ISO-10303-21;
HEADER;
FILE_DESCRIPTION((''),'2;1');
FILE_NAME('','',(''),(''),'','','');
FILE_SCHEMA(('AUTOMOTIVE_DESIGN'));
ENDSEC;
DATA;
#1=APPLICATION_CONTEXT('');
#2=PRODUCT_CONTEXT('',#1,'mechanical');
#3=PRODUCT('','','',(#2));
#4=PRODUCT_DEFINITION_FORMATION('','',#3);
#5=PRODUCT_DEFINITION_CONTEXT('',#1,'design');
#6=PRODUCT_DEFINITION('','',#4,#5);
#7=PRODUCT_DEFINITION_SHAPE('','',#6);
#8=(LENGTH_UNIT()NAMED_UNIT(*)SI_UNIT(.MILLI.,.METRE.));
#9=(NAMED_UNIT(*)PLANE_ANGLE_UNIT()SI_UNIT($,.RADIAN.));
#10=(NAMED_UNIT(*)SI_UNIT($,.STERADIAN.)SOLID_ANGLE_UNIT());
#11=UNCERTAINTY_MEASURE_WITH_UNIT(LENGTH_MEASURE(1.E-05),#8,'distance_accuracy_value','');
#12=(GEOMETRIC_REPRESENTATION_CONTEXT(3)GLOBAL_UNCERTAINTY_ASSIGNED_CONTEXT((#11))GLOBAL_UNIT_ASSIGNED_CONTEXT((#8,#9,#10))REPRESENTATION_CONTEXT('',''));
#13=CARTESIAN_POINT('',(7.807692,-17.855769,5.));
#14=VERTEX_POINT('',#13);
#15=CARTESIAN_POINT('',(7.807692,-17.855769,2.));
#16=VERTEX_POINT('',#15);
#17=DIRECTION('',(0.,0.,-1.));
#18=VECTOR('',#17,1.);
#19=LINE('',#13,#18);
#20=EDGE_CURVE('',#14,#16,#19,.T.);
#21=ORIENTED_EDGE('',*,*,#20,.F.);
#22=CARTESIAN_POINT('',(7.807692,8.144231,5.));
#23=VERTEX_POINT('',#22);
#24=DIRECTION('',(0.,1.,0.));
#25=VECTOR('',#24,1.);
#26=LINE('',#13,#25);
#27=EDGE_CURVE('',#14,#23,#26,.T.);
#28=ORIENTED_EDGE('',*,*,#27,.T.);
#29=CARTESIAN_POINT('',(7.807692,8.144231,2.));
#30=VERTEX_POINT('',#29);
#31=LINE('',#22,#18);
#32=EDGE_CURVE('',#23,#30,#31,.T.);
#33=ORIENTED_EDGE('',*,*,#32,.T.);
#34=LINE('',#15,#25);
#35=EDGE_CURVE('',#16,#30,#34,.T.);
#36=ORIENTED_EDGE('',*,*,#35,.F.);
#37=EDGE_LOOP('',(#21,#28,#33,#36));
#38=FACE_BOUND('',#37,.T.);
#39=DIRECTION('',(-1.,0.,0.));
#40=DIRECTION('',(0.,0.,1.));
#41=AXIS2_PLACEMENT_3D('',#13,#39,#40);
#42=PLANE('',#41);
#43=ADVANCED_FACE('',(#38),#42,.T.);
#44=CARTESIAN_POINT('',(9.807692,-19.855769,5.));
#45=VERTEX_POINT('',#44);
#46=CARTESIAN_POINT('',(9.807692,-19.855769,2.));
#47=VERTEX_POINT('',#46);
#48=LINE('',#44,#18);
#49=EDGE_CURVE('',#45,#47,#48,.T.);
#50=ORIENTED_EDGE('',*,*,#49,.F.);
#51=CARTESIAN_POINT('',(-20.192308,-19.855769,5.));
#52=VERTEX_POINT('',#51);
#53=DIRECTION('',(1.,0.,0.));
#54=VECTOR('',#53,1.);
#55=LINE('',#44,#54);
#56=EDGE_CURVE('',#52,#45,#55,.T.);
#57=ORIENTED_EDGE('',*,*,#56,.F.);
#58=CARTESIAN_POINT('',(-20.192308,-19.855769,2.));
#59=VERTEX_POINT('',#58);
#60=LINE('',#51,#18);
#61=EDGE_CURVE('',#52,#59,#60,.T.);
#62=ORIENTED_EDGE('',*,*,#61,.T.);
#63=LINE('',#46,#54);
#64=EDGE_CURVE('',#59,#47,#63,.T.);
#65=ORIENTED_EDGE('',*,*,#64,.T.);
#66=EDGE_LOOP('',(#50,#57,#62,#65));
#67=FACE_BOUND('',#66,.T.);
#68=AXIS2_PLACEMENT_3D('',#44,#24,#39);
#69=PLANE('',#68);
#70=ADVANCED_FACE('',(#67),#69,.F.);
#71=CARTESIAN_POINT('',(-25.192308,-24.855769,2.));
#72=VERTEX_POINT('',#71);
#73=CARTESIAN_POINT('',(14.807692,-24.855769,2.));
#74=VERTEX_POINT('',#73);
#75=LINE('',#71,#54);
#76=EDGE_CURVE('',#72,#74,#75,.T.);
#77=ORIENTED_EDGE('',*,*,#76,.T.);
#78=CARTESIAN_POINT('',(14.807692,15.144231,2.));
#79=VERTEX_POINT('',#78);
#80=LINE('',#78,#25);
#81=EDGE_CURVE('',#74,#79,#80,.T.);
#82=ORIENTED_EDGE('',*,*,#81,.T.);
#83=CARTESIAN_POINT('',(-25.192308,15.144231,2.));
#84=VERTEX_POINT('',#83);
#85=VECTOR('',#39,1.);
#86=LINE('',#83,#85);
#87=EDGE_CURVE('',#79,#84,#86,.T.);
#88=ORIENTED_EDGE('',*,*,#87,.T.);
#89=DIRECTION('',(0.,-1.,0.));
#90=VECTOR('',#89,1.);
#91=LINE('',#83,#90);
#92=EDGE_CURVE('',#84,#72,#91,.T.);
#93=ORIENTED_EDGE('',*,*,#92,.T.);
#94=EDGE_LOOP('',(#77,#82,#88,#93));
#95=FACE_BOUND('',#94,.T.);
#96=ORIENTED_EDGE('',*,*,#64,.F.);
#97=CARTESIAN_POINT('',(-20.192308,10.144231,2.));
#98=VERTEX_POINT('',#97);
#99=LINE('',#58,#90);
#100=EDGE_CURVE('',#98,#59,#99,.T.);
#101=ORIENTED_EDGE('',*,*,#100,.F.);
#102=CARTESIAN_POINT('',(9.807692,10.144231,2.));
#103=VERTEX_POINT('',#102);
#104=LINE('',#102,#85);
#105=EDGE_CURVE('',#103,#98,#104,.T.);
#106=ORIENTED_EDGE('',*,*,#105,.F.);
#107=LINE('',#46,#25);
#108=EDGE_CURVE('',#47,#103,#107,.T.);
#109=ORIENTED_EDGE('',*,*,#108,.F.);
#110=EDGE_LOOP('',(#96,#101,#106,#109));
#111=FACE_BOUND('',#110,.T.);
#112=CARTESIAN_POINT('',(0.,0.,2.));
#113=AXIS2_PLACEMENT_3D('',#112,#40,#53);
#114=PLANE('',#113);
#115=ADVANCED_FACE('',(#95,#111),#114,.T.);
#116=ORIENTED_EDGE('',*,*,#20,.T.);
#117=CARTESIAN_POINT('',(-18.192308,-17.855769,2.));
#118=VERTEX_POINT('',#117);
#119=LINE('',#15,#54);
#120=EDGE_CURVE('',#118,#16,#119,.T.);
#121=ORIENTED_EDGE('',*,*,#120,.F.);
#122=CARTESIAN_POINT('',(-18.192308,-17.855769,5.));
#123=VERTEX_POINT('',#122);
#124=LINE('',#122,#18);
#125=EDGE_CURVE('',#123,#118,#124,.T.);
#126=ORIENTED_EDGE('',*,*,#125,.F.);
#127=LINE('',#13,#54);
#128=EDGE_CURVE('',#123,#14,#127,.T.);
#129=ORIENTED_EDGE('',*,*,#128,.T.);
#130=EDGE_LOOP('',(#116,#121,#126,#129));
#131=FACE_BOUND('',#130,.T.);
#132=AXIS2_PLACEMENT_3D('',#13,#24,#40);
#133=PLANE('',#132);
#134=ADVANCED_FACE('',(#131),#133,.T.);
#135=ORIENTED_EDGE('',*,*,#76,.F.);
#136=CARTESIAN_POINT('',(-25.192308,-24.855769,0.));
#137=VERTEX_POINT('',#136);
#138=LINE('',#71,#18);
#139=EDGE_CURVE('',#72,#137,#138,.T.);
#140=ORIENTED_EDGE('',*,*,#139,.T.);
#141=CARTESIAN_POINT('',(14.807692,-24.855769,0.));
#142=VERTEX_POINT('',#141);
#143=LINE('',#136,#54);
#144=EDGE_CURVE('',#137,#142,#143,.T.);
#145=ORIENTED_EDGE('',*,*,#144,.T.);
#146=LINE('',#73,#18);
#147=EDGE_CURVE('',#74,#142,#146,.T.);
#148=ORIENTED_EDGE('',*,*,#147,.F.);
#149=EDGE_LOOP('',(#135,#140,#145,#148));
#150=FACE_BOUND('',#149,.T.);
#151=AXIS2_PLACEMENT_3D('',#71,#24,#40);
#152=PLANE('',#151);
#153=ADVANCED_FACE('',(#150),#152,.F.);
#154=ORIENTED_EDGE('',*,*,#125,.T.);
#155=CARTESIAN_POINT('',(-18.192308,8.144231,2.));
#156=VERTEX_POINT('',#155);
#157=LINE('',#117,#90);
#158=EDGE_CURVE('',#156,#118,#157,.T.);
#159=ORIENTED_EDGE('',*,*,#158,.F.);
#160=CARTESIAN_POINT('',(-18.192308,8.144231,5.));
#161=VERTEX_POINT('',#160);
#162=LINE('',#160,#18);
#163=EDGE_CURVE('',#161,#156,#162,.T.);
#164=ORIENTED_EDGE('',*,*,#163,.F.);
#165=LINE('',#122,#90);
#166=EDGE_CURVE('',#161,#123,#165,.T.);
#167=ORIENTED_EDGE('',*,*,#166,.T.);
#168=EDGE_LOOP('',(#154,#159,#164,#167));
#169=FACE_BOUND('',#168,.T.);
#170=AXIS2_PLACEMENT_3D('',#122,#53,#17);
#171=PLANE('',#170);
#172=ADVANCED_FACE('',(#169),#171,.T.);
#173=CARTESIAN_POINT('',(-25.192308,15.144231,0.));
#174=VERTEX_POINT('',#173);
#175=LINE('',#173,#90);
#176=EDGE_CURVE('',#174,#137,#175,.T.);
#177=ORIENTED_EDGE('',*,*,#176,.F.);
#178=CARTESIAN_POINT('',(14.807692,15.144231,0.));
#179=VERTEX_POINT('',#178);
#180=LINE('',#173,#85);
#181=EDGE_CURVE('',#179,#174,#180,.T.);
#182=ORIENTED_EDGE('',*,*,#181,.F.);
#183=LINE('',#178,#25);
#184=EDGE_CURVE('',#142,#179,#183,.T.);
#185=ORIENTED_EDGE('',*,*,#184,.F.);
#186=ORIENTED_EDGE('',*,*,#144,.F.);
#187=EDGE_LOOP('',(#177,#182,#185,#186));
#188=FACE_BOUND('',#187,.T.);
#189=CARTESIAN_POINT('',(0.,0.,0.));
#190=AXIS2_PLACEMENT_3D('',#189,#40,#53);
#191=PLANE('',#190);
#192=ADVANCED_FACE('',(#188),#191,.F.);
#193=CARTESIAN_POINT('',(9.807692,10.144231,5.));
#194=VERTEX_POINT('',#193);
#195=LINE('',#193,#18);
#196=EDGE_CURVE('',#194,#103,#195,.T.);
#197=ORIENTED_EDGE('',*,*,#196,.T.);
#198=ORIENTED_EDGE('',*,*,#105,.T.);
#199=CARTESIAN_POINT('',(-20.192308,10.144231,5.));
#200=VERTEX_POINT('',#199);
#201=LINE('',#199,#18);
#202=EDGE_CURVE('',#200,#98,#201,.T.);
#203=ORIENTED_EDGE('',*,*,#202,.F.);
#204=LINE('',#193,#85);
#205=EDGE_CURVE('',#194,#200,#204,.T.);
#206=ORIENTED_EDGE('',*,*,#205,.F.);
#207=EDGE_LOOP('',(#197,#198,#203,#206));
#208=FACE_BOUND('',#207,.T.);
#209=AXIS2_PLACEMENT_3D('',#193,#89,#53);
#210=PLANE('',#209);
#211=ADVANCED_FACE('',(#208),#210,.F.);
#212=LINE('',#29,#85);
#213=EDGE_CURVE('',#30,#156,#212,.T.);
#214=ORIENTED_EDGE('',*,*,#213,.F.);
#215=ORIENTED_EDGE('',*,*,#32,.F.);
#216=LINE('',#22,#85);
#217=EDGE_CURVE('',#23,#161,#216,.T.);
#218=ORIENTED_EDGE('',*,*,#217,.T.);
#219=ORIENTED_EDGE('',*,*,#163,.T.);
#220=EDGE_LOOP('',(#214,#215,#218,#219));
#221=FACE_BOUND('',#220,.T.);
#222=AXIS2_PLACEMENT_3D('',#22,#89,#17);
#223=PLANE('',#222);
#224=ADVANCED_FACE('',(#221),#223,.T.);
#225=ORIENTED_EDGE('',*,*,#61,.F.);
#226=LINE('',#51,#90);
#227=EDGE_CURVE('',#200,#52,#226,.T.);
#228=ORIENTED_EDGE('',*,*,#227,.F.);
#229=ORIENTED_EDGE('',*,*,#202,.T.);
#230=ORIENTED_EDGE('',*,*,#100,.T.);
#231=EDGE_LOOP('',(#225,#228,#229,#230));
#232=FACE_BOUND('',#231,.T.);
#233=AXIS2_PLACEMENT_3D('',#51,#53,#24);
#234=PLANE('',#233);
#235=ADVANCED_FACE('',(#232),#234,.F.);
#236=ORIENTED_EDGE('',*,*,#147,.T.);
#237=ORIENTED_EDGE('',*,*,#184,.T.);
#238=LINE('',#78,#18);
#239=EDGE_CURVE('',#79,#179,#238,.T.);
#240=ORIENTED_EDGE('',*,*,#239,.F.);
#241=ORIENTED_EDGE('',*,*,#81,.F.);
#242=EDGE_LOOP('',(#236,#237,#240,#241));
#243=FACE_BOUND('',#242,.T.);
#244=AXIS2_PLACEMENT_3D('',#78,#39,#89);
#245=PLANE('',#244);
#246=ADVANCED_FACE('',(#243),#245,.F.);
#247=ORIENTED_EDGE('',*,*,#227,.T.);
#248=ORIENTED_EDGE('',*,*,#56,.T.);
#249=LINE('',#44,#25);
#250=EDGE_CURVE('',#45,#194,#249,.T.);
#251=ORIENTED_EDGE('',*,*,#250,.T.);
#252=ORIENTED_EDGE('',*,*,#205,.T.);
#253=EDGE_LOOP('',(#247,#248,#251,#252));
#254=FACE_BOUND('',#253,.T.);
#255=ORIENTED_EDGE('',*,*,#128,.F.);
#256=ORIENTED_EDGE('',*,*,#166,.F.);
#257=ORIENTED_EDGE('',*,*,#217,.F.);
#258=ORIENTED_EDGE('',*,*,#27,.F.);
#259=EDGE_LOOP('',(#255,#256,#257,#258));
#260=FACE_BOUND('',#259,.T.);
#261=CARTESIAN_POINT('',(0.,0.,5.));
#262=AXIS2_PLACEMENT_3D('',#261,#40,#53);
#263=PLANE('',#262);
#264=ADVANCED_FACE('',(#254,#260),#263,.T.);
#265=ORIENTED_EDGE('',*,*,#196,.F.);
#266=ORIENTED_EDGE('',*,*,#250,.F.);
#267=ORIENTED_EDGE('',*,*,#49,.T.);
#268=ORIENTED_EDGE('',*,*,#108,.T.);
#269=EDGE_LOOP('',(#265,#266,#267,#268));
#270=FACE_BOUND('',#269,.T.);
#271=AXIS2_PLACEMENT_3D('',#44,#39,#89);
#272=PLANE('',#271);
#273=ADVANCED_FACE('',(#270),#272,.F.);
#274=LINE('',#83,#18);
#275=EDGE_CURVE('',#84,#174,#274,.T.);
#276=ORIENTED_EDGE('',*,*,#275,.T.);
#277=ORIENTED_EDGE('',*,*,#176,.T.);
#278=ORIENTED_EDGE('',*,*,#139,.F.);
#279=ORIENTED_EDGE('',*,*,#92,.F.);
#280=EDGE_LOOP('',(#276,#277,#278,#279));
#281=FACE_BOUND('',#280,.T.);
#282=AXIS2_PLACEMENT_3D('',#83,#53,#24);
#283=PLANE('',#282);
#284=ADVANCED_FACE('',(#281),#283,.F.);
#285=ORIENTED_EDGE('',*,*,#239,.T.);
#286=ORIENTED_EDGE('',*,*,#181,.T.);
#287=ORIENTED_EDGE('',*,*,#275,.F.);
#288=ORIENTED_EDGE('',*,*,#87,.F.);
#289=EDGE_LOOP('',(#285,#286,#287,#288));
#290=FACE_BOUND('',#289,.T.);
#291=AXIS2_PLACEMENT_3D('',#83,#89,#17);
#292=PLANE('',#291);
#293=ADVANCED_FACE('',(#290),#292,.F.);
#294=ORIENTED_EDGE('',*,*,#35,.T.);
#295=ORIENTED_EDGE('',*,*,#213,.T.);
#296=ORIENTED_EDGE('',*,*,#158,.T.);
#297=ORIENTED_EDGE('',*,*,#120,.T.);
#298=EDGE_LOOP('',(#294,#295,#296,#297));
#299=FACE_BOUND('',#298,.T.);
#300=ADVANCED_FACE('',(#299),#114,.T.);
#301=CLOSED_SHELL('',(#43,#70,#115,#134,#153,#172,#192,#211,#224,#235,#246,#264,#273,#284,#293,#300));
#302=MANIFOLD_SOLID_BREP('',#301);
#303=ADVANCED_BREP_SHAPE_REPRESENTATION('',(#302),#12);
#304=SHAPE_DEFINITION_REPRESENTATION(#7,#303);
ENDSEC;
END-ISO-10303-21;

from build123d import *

# Parameters (mm, degrees)
SKETCH1_W           = 40
SKETCH1_H           = 40
BOSS_EXTRUDE1_DEPTH = 2
SKETCH2_W           = 30
SKETCH2_H           = 30
SKETCH2_W_2         = 26
SKETCH2_H_2         = 26
BOSS_EXTRUDE2_DEPTH = 3


with BuildPart() as part:
    # Sketch1 → Boss-Extrude1 (new body)
    with BuildSketch(Plane.XY):
        with Locations((-5.192307692, -4.855769231)):
            Rectangle(SKETCH1_W, SKETCH1_H)
    extrude(amount=BOSS_EXTRUDE1_DEPTH)

    # Sketch2 → Boss-Extrude2 (add)
    with BuildSketch(Plane.XY.offset(2)):
        with Locations((-5.192307692, -4.855769231)):
            Rectangle(SKETCH2_W, SKETCH2_H)
        with Locations((-5.192307692, -4.855769231)):
            Rectangle(SKETCH2_W_2, SKETCH2_H_2, mode=Mode.SUBTRACT)
    extrude(amount=BOSS_EXTRUDE2_DEPTH)


solid = part.part
